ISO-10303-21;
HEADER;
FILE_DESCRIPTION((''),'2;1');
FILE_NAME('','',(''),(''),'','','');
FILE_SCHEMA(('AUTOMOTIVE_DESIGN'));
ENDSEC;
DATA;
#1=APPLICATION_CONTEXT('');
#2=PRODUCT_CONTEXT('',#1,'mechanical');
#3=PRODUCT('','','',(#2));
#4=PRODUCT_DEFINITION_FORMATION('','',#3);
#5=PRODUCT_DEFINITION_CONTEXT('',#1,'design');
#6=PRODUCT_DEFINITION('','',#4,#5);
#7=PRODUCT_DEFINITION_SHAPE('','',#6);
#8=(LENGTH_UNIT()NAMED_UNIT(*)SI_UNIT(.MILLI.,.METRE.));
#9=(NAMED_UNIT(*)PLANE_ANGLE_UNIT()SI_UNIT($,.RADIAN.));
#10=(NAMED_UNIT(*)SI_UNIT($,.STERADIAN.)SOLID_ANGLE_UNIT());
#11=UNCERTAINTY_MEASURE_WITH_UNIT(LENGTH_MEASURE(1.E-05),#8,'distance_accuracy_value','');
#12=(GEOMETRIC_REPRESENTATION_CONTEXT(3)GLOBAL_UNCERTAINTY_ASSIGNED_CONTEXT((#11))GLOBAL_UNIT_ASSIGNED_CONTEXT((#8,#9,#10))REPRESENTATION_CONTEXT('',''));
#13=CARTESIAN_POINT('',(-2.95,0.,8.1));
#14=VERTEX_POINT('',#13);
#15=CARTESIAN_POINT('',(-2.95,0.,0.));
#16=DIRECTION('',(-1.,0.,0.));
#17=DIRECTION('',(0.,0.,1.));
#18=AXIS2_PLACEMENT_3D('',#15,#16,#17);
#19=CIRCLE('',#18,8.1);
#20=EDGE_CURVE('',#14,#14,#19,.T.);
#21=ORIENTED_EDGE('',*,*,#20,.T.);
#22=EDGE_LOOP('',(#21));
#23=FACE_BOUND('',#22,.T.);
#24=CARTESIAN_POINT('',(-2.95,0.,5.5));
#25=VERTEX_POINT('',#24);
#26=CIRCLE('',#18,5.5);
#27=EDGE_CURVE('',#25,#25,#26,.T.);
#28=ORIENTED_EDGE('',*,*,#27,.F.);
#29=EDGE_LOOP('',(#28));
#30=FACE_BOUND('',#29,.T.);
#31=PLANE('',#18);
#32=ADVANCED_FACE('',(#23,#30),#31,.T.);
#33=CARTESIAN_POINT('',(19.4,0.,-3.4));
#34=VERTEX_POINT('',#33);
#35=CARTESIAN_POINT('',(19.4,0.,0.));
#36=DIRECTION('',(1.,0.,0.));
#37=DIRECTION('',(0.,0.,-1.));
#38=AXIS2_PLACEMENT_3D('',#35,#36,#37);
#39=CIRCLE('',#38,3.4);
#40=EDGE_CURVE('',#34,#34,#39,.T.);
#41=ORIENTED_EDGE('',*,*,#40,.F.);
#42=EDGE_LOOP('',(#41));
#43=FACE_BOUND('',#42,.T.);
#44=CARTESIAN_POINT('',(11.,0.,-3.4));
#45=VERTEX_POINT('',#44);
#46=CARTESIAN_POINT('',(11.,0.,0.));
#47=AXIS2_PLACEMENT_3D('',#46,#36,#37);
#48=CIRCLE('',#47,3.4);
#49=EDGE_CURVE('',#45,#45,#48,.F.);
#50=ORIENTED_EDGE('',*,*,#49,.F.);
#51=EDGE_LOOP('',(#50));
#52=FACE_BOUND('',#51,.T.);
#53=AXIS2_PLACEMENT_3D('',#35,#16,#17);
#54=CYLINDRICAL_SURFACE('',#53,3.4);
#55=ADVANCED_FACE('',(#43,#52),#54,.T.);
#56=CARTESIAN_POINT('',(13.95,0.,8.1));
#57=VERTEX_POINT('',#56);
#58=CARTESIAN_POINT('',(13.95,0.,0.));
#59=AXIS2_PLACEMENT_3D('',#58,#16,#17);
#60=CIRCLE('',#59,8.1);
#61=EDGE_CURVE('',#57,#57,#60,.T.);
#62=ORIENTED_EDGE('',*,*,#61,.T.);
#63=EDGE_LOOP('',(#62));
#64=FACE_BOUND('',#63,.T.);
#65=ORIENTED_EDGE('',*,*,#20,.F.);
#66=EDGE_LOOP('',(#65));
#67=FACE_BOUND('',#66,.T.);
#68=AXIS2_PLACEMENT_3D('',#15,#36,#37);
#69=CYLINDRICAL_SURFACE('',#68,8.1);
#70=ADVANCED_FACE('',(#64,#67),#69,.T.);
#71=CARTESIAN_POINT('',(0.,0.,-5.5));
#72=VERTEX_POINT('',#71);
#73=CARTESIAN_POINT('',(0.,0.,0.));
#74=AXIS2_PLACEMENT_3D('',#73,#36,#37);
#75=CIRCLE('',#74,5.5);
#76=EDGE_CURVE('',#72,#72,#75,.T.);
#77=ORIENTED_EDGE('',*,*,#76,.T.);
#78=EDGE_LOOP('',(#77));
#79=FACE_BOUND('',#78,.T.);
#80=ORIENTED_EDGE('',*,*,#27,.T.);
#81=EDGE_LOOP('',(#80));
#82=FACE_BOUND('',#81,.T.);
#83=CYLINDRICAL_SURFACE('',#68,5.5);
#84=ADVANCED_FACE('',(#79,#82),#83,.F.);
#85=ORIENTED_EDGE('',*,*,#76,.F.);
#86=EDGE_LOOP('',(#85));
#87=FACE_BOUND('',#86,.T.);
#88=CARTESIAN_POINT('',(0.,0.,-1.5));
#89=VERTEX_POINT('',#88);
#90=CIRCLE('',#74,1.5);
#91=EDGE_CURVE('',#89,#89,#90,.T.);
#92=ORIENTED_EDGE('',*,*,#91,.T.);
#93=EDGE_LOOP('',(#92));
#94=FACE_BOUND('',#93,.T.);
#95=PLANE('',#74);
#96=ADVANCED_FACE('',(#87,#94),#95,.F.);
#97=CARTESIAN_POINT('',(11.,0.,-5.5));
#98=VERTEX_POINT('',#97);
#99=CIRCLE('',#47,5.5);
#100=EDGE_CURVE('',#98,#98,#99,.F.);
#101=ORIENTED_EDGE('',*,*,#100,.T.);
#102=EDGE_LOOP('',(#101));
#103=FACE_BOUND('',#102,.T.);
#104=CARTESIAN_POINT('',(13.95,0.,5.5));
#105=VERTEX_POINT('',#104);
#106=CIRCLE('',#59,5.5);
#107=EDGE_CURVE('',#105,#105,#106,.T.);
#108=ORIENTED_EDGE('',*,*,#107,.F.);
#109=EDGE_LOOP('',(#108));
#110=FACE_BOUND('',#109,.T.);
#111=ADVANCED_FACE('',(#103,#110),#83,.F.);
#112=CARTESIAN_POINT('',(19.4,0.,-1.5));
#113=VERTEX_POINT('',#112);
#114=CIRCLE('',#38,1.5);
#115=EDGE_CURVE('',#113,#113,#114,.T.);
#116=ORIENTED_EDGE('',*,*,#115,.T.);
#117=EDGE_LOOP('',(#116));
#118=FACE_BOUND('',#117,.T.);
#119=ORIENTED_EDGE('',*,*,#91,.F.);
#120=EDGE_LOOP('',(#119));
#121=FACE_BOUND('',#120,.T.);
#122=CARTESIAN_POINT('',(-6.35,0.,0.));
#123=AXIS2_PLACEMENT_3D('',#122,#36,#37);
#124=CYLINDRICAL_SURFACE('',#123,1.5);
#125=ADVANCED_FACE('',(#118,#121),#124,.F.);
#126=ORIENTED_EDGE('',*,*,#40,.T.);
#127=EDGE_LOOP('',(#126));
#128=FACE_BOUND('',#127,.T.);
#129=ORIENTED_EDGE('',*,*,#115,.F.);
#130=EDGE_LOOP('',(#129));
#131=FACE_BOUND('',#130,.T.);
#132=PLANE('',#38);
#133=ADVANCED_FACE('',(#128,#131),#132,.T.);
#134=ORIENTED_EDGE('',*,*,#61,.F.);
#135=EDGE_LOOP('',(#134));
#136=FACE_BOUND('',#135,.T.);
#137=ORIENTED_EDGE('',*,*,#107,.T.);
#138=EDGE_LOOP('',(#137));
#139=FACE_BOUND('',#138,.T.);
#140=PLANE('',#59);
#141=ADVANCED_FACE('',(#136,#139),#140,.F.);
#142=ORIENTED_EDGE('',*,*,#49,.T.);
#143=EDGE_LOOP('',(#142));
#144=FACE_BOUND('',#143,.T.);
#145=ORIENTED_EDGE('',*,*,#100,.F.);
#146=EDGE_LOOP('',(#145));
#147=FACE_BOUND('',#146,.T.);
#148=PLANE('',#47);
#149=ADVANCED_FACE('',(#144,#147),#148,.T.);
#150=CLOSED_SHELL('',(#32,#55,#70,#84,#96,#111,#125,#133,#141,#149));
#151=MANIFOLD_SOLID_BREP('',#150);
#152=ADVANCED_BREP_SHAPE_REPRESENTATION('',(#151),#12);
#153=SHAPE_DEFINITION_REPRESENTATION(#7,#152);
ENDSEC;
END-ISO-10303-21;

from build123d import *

# Parameters (mm, degrees)
SKETCH_1_R           = 5.5
EXTRUDE_1_DEPTH      = 11
SKETCH_2_R           = 2.7
CUT_EXTRUDE_1_DEPTH  = 9.35
SKETCH_4_R           = 3.4
EXTRUDE_2_DEPTH      = 17.75
SKETCH_5_R           = 1.5
CUT_EXTRUDE_4_DEPTH  = 25.75
SKETCH_6_R           = 8.1
SKETCH_6_R_2         = 5.5
EXTRUDE_4_DEPTH      = 2.95
EXTRUDE_4_DEPTH_BACK = 13.95


with BuildPart() as part:
    # ｽｹｯﾁ1 → ﾎﾞｽ - 押し出し1 (new body)
    with BuildSketch(Plane(origin=(0, 0, 0), x_dir=(0, 0, -1), z_dir=(1, 0, 0))):
        Circle(SKETCH_1_R)
    extrude(amount=EXTRUDE_1_DEPTH)

    # ｽｹｯﾁ2 → ｶｯﾄ - 押し出し1 (cut)
    with BuildSketch(Plane(origin=(11, 0, 0), x_dir=(0, 0, -1), z_dir=(1, 0, 0))):
        Circle(SKETCH_2_R)
    extrude(amount=-CUT_EXTRUDE_1_DEPTH, mode=Mode.SUBTRACT)

    # ｽｹｯﾁ4 → ﾎﾞｽ - 押し出し2 (add)
    with BuildSketch(Plane(origin=(1.65, 0, 0), x_dir=(0, 0, -1), z_dir=(1, 0, 0))):
        Circle(SKETCH_4_R)
    extrude(amount=EXTRUDE_2_DEPTH)

    # ｽｹｯﾁ5 → ｶｯﾄ - 押し出し4 (cut)
    with BuildSketch(Plane(origin=(19.4, 0, 0), x_dir=(0, 0, -1), z_dir=(1, 0, 0))):
        Circle(SKETCH_5_R)
    extrude(amount=-CUT_EXTRUDE_4_DEPTH, mode=Mode.SUBTRACT)

    # ｽｹｯﾁ6 → ﾎﾞｽ - 押し出し4 (add, two sides)
    with BuildSketch(Plane.ZY) as extrude_4_sk:
        Circle(SKETCH_6_R)
        Circle(SKETCH_6_R_2, mode=Mode.SUBTRACT)
    extrude(amount=EXTRUDE_4_DEPTH)
    extrude(extrude_4_sk.sketch, amount=-EXTRUDE_4_DEPTH_BACK)


solid = part.part
